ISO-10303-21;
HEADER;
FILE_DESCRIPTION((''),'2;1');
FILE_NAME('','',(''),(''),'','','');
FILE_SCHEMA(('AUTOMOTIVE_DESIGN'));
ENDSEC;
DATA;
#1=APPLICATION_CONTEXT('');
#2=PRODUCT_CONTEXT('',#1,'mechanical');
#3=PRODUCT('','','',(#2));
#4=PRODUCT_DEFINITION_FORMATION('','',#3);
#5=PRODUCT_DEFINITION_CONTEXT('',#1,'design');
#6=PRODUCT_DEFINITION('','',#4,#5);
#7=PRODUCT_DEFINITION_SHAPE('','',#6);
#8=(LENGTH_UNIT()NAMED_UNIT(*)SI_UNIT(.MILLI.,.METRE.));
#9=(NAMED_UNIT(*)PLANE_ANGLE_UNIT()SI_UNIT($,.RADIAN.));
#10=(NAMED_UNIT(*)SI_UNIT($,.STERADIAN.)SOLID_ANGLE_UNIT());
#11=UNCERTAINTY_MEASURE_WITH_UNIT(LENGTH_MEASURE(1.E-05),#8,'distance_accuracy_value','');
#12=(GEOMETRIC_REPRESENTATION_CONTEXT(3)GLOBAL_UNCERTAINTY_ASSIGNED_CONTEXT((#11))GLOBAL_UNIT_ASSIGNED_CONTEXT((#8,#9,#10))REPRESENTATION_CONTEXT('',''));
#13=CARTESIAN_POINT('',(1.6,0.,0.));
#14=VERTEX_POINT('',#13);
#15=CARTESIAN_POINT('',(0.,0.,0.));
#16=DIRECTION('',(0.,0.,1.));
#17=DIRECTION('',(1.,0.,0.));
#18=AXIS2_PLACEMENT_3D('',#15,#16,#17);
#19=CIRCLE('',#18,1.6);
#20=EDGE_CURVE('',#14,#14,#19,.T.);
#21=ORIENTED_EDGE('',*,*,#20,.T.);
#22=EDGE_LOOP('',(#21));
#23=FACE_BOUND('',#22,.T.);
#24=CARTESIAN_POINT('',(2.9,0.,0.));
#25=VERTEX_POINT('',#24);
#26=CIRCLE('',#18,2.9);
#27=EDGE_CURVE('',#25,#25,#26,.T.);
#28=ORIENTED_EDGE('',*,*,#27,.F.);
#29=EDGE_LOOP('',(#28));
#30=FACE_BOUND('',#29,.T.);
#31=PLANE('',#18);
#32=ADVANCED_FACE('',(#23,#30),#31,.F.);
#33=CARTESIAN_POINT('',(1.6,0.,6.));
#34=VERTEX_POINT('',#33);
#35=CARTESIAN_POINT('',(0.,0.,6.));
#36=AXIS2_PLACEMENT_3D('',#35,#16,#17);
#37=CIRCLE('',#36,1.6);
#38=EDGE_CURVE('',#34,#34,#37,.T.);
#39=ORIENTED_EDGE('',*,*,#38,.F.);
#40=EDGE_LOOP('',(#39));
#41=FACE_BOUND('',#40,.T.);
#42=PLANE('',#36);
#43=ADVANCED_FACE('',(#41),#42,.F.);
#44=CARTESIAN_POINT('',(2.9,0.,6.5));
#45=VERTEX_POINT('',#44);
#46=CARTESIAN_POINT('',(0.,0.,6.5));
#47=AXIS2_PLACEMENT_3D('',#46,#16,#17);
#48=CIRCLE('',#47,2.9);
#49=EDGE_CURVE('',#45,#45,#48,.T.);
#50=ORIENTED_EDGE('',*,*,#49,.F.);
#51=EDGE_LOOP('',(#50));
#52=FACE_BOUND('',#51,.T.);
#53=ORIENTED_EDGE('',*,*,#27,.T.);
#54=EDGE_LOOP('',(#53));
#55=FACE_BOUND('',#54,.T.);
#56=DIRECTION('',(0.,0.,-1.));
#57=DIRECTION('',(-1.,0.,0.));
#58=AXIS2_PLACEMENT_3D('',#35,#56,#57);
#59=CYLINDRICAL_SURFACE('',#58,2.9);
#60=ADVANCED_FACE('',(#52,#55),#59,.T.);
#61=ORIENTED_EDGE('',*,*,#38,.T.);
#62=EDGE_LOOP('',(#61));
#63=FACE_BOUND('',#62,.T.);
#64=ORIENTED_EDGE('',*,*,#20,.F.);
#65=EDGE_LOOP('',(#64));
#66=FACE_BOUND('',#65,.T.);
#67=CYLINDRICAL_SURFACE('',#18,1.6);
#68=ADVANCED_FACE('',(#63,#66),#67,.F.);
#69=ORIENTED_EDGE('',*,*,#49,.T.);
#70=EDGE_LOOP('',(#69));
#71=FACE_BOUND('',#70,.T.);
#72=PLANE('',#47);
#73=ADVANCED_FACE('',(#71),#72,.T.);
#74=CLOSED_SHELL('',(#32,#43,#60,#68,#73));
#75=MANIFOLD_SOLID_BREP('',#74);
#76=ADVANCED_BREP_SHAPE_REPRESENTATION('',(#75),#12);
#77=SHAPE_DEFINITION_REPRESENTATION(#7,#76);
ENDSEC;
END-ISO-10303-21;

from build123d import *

# Parameters (mm, degrees)
SZKIC1_R                    = 2.9
DODANIE_WYCI_GNI_CIE1_DEPTH = 6
SZKIC2_R                    = 1.6
WYTNIJ_WYCI_GNI_CIE1_DEPTH  = 6
SZKIC3_R                    = 2.9
DODANIE_WYCI_GNI_CIE2_DEPTH = 0.5


with BuildPart() as part:
    # Szkic1 → Dodanie-wyciągnięcie1 (new body)
    with BuildSketch(Plane.XY):
        Circle(SZKIC1_R)
    extrude(amount=DODANIE_WYCI_GNI_CIE1_DEPTH)

    # Szkic2 → Wytnij-wyciągnięcie1 (cut)
    with BuildSketch(Plane.XY.offset(6)):
        Circle(SZKIC2_R)
    extrude(amount=-WYTNIJ_WYCI_GNI_CIE1_DEPTH, mode=Mode.SUBTRACT)

    # Szkic3 → Dodanie-wyciągnięcie2 (add)
    with BuildSketch(Plane.XY.offset(6)):
        Circle(SZKIC3_R)
    extrude(amount=DODANIE_WYCI_GNI_CIE2_DEPTH)


solid = part.part
